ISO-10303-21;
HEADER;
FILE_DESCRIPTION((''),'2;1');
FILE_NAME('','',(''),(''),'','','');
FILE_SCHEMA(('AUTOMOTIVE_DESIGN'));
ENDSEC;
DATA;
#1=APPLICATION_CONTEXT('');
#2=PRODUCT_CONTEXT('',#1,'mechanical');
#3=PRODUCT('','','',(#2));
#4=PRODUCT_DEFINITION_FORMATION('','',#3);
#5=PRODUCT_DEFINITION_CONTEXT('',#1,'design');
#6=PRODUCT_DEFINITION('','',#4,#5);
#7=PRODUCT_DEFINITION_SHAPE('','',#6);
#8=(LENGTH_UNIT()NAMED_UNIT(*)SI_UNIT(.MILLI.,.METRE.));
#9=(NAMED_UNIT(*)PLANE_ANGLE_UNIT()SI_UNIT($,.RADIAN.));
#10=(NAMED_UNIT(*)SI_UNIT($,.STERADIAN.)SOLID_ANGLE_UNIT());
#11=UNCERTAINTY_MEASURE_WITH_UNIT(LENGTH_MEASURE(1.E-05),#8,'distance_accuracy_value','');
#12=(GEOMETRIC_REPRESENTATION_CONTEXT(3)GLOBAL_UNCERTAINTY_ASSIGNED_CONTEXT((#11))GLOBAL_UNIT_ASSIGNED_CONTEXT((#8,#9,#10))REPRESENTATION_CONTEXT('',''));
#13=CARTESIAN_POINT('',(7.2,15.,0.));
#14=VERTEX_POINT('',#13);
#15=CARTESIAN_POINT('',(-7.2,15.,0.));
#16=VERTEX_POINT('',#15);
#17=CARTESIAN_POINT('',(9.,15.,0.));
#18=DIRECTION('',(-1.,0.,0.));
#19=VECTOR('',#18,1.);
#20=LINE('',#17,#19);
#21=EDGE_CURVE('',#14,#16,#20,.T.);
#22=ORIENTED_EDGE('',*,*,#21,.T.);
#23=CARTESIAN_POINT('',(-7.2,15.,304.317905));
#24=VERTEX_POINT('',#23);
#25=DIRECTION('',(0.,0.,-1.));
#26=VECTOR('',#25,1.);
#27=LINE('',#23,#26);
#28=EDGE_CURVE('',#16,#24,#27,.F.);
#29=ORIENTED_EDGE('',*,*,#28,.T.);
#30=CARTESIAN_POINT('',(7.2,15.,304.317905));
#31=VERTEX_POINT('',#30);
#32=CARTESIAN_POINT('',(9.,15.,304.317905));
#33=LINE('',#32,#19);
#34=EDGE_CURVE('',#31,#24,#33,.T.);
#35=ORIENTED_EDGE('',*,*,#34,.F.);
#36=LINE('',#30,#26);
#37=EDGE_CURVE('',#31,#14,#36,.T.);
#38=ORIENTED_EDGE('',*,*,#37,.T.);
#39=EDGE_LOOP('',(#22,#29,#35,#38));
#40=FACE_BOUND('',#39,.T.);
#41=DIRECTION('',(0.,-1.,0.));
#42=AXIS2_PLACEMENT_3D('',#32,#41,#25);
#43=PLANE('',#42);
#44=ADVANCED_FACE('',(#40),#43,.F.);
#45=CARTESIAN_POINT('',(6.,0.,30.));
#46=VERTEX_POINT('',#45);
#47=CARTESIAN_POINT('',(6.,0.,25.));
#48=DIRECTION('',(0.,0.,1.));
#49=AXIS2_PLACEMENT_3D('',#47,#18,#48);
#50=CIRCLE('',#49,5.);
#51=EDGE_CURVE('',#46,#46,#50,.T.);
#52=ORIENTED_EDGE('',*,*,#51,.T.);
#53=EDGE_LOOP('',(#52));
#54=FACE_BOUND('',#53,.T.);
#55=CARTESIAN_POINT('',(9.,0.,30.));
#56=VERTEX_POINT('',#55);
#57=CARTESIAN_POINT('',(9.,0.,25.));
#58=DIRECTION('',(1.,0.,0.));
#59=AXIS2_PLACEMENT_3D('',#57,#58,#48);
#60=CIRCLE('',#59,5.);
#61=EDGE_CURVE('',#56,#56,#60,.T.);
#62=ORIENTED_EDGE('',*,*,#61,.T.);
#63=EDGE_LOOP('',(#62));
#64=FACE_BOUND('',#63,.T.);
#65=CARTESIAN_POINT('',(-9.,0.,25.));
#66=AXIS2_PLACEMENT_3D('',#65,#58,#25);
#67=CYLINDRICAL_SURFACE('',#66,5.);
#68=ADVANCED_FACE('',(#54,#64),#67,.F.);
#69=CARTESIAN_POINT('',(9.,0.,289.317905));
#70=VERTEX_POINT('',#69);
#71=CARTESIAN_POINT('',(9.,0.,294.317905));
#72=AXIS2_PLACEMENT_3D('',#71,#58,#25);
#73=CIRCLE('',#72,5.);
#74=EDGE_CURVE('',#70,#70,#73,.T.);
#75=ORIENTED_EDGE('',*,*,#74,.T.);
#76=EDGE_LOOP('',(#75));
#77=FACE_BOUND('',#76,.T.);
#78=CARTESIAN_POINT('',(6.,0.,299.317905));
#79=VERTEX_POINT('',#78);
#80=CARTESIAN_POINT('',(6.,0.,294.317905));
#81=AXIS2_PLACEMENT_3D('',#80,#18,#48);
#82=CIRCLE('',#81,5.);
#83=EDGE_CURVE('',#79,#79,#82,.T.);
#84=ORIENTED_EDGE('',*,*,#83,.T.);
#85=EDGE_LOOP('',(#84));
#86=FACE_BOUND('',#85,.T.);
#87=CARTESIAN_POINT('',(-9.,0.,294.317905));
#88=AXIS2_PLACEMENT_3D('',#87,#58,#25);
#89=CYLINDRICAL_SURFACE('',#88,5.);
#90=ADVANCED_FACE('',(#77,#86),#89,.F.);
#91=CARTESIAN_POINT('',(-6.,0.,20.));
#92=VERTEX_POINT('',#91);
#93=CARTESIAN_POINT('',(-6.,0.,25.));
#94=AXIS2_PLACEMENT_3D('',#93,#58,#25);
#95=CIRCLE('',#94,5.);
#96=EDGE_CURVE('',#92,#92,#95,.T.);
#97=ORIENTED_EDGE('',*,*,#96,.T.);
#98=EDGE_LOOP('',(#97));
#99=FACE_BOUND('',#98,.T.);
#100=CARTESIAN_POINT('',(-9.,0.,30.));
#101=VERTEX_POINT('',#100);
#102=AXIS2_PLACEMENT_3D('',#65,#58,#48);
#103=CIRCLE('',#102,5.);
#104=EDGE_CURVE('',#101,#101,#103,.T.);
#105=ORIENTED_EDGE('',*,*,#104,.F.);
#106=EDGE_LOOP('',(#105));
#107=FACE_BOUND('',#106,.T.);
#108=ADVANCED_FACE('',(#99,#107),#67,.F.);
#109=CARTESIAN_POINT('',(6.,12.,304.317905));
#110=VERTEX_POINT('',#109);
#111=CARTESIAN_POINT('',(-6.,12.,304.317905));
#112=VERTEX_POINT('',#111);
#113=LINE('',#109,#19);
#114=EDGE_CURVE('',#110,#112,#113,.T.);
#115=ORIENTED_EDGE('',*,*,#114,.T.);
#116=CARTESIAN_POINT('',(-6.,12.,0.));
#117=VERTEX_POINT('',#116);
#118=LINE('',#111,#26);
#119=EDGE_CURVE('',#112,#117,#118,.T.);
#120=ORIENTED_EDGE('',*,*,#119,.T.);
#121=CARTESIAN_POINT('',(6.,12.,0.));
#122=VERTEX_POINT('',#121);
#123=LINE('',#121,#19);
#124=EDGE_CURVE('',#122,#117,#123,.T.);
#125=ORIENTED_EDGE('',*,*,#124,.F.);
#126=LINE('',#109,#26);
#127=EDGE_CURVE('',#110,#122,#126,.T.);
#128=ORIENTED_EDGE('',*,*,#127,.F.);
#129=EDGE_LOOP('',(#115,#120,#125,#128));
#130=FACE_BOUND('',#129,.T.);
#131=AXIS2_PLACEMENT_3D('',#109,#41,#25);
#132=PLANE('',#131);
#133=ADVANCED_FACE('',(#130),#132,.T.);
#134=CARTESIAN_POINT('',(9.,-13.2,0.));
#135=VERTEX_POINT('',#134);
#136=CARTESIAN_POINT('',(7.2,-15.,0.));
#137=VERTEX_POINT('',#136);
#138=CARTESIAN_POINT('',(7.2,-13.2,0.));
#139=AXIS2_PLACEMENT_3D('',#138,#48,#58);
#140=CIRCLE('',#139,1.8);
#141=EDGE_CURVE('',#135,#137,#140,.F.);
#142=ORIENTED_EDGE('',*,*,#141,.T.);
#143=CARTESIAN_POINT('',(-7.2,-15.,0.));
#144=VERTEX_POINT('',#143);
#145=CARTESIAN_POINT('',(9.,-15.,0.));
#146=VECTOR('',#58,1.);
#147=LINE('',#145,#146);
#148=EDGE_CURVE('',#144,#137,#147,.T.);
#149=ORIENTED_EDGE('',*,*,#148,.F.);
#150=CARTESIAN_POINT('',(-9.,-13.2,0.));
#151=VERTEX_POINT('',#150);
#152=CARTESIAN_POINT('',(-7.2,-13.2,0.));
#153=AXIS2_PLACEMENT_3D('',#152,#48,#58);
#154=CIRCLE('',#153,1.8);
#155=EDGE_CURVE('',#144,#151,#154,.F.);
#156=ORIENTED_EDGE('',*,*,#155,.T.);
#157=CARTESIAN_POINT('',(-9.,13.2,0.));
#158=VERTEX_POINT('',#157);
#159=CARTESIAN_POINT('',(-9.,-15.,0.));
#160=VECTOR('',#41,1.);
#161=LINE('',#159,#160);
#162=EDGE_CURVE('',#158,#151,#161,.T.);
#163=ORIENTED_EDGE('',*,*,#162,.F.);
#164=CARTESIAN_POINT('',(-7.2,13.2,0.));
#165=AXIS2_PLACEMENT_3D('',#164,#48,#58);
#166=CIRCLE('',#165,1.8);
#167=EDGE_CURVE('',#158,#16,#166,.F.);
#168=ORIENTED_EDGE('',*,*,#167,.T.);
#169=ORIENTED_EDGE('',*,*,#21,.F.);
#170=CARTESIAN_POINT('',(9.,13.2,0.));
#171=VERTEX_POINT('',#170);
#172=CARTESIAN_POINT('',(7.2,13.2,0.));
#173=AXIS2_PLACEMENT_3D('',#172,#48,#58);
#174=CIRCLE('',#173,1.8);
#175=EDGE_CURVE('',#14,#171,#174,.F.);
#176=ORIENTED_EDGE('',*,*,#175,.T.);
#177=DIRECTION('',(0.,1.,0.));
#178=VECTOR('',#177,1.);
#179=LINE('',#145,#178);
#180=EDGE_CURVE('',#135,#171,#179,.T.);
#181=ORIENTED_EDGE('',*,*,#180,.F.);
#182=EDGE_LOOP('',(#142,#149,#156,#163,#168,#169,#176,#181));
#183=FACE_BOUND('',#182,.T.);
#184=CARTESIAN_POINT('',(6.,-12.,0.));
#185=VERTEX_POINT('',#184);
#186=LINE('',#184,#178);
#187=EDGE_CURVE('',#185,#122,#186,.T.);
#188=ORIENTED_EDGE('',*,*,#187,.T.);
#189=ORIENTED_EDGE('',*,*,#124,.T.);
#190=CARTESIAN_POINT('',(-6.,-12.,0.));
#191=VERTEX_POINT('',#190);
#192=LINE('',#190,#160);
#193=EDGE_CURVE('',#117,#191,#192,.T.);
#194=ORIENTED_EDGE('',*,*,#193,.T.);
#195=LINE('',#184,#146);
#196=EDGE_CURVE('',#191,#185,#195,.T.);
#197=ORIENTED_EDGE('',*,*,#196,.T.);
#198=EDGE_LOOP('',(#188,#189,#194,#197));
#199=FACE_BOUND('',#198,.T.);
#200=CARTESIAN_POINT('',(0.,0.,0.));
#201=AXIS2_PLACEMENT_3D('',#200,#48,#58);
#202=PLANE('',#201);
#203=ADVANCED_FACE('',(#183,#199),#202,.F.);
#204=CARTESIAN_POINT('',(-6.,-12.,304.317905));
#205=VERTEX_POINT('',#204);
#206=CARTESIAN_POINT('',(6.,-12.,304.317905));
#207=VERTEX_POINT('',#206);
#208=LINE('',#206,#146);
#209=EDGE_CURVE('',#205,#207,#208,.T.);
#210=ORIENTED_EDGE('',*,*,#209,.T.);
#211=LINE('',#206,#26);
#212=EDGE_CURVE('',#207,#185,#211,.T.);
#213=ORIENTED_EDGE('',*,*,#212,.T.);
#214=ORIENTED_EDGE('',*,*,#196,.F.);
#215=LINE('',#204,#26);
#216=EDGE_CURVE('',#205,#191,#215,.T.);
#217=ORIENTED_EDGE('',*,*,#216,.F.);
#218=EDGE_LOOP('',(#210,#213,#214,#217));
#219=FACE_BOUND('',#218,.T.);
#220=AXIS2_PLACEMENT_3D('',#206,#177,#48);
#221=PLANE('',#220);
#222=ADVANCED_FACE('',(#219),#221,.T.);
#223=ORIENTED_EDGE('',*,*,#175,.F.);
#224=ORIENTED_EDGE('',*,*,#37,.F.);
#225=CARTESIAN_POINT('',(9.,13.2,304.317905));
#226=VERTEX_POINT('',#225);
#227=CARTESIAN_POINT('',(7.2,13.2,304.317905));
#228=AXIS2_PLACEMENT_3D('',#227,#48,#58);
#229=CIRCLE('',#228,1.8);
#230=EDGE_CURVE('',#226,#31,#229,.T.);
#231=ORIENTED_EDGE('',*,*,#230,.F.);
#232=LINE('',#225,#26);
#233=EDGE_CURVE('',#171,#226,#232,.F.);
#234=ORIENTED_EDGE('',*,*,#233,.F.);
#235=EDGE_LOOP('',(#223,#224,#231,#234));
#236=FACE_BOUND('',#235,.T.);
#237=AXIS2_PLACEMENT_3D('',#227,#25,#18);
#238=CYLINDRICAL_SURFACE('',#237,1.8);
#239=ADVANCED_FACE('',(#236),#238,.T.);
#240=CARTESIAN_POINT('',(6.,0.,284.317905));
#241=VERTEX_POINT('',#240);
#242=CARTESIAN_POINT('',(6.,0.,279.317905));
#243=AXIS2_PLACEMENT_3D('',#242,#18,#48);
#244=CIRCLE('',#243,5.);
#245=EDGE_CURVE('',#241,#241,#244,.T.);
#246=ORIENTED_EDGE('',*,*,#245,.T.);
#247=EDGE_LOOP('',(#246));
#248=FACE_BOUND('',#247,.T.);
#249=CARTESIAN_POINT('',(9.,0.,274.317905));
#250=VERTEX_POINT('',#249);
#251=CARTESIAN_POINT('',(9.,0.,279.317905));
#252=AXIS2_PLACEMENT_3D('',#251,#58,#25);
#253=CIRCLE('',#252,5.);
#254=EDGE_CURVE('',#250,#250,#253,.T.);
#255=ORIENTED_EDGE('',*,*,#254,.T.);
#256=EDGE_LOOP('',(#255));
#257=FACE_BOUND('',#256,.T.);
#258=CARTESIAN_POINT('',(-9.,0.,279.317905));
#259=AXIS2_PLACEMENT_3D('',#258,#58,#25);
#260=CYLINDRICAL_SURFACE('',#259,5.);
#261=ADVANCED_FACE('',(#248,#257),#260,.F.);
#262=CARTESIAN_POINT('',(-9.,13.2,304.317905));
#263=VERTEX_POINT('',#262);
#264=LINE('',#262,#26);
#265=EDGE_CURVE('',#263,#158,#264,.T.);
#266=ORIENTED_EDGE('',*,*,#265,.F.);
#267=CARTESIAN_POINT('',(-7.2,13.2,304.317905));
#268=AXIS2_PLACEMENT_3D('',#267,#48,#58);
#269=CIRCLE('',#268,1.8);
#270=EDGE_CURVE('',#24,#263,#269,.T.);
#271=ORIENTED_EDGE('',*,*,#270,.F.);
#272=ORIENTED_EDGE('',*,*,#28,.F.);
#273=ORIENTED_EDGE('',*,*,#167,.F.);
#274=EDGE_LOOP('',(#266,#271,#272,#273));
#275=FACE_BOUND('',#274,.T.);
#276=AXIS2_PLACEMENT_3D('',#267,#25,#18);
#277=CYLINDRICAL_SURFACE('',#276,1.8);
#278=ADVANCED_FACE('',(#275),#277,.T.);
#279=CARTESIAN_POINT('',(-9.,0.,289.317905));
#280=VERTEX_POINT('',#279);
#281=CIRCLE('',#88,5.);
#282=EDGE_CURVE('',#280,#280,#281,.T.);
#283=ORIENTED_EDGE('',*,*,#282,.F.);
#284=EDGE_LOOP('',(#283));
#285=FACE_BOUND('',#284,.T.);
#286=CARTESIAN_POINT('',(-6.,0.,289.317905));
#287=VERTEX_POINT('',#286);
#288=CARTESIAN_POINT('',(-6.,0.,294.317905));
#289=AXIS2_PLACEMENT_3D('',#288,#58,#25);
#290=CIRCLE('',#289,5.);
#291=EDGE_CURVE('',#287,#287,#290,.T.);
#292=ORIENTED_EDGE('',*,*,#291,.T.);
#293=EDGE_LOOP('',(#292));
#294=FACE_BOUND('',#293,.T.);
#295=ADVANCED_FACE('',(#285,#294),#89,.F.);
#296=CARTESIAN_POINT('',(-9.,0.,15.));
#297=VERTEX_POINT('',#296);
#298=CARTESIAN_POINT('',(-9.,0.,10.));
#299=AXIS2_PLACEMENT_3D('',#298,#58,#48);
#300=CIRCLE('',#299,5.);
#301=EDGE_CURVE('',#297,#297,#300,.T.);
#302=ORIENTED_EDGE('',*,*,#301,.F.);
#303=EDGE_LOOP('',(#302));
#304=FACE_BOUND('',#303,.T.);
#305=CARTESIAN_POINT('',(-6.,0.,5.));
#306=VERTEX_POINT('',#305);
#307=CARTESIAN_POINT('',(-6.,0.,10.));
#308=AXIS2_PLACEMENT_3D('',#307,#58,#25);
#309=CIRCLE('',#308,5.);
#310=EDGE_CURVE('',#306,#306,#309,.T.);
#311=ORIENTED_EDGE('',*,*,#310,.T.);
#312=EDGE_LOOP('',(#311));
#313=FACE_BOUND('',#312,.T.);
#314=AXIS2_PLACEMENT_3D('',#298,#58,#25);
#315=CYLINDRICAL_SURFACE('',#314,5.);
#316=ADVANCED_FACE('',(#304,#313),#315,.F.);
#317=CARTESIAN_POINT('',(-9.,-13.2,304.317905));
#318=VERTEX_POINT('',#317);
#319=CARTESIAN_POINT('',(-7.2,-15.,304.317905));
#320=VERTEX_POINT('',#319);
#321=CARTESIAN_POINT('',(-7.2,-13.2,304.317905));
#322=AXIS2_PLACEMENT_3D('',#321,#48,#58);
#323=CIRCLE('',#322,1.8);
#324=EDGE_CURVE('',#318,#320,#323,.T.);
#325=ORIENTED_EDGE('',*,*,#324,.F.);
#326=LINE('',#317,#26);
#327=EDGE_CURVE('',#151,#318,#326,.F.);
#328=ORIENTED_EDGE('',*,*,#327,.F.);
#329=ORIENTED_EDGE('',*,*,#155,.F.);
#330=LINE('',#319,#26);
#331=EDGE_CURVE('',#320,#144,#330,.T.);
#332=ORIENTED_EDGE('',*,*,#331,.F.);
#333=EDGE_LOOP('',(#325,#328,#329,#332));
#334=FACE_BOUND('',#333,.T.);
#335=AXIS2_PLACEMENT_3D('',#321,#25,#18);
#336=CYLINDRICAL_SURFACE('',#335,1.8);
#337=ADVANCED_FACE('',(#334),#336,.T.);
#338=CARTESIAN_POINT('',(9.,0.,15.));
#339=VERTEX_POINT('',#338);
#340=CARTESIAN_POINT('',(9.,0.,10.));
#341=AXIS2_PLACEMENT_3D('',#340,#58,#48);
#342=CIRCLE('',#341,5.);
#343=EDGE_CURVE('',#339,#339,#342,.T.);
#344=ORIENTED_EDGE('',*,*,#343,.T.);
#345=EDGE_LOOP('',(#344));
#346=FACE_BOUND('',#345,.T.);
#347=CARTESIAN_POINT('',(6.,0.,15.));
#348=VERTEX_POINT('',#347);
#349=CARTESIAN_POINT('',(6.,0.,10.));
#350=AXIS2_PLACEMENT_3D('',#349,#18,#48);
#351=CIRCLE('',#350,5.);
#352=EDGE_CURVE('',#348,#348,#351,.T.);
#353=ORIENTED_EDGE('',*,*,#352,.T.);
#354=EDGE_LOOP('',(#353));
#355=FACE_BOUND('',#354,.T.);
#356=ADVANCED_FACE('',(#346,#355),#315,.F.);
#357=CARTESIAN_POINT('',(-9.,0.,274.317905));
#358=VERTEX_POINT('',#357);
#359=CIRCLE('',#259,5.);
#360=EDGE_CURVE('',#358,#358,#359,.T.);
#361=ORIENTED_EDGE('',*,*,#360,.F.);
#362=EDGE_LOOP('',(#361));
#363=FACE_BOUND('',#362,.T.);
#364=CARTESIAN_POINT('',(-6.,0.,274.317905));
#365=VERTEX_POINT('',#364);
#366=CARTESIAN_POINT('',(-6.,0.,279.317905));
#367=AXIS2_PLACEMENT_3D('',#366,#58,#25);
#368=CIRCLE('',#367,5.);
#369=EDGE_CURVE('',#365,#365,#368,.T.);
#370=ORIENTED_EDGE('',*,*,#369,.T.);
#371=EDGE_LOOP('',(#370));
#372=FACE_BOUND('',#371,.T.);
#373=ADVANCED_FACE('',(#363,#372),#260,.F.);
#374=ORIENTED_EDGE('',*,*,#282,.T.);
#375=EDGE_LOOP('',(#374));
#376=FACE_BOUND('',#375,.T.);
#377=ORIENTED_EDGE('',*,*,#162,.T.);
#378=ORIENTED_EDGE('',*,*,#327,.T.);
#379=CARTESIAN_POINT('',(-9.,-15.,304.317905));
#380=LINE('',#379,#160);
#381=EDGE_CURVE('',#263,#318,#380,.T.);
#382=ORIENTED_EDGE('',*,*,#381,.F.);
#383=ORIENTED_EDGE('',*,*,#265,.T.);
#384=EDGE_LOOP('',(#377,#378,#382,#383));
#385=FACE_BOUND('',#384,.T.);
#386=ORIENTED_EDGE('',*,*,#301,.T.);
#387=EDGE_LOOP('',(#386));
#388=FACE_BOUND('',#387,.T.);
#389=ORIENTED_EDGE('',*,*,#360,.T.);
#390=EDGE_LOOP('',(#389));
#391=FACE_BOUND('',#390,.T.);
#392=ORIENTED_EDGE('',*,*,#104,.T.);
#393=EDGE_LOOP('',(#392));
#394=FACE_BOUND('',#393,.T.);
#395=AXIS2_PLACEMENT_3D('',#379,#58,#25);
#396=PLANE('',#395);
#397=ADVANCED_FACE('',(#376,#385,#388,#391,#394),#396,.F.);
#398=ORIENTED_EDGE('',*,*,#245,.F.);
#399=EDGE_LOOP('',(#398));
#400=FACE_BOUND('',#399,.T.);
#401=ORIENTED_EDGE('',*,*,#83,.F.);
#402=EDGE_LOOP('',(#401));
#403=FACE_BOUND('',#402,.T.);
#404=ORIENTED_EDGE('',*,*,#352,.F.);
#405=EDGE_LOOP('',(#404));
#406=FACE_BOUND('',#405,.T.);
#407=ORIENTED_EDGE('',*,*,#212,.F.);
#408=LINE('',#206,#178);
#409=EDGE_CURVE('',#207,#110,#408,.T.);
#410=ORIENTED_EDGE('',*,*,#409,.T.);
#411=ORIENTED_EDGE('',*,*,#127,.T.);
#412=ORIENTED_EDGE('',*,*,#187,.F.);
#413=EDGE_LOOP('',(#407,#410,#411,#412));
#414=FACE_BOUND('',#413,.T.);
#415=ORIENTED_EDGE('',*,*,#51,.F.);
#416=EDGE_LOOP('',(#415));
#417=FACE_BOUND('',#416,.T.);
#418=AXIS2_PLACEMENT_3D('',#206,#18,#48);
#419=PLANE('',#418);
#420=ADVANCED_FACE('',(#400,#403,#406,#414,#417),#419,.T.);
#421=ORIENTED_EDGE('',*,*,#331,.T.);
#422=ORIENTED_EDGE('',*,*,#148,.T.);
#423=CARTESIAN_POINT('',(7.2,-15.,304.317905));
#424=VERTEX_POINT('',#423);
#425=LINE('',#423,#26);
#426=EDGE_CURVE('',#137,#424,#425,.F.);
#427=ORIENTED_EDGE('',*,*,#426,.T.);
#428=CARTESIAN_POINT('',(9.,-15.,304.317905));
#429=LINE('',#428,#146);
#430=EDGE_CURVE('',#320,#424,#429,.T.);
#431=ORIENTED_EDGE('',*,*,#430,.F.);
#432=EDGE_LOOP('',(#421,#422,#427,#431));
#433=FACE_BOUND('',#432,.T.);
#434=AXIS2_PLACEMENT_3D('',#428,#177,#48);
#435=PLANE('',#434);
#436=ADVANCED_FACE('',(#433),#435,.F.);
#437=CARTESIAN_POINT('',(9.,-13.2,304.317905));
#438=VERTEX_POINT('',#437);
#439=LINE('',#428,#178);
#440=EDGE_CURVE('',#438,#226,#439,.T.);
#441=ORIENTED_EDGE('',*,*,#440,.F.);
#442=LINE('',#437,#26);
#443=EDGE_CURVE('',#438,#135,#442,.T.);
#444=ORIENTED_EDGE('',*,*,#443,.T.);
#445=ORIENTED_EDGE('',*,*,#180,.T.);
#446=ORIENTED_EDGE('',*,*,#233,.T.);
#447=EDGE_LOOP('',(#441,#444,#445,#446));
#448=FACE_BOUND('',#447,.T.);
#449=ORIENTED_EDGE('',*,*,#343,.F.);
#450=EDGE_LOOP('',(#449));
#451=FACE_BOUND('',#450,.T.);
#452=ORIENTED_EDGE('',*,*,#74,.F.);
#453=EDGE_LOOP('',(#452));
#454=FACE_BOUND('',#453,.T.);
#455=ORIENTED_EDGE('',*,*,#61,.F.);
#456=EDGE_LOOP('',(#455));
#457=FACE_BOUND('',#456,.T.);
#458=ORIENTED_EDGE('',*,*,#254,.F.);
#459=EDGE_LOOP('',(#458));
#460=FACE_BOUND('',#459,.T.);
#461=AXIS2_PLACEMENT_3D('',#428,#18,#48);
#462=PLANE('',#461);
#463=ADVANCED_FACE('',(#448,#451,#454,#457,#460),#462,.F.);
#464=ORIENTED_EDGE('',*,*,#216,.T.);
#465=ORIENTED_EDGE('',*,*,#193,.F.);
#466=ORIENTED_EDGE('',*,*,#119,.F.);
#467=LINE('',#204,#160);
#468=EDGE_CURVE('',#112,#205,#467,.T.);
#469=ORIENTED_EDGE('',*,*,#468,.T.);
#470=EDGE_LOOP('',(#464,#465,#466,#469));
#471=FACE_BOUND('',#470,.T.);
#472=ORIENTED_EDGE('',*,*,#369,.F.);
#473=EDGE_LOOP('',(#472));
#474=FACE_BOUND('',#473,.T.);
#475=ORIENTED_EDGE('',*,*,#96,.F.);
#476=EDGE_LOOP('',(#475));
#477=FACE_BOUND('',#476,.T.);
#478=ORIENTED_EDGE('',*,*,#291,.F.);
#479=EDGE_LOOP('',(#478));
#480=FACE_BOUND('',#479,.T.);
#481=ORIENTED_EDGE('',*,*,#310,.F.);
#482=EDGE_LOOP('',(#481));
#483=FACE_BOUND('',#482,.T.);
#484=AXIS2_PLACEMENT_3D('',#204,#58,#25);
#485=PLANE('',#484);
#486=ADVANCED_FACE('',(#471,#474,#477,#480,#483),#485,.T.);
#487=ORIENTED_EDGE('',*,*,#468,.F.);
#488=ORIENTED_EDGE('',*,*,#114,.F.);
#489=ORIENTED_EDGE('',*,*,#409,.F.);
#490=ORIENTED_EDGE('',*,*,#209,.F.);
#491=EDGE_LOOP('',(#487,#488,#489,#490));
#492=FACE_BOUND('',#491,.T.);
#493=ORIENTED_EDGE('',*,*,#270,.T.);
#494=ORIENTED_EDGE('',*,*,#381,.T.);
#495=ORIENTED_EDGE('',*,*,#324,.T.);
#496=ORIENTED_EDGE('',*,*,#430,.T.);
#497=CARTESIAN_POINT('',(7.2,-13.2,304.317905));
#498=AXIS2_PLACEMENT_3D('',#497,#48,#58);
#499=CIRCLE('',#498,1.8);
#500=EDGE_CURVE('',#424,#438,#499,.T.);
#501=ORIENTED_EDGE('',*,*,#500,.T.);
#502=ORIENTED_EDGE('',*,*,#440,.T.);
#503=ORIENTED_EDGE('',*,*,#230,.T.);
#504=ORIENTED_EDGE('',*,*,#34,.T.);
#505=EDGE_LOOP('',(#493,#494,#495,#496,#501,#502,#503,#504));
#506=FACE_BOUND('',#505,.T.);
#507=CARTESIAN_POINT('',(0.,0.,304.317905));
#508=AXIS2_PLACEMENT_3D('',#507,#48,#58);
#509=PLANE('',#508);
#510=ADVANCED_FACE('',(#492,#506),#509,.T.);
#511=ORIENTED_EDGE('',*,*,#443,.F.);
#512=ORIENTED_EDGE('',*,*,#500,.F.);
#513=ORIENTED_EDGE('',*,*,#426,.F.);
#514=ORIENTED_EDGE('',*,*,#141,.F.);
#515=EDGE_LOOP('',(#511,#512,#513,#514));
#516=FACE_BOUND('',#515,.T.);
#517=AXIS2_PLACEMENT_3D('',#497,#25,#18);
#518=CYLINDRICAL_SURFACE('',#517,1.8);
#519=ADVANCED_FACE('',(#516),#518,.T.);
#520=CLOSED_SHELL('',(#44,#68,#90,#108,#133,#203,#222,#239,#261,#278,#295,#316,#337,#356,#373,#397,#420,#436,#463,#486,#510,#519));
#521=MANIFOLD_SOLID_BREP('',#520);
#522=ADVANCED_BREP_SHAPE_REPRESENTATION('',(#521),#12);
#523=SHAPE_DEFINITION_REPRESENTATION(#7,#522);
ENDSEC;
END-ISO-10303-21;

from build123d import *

# Parameters (mm, degrees)
SKETCH1_W         = 18
SKETCH1_H         = 30
SKETCH1_W_2       = 12
SKETCH1_H_2       = 24
BODY_DEPTH        = 304.31790468
SKETCH2_R         = 5
MOUNT_HOLES_DEPTH = 306.218589062
CORNER_FILLETS_R  = 1.8


with BuildPart() as part:
    # Sketch1 → Body (new body)
    with BuildSketch(Plane.XY):
        Rectangle(SKETCH1_W, SKETCH1_H)
        Rectangle(SKETCH1_W_2, SKETCH1_H_2, mode=Mode.SUBTRACT)
    extrude(amount=BODY_DEPTH)

    # Sketch2 → Mount Holes (cut, through all)
    with BuildSketch(Plane(origin=(9, 0, 0), x_dir=(0, 0, -1), z_dir=(1, 0, 0))):
        with Locations((-294.31790468, 0)):
            Circle(SKETCH2_R)
        with Locations((-279.31790468, 0)):
            Circle(SKETCH2_R)
        with Locations(Location((-25, 0, 0), (0, 0, 180))):
            Circle(SKETCH2_R)
        with Locations(Location((-10, 0, 0), (0, 0, 180))):
            Circle(SKETCH2_R)
    extrude(amount=-MOUNT_HOLES_DEPTH, mode=Mode.SUBTRACT)

    # Corner Fillets
    corner_fillets_edges = [part.edges().sort_by_distance(p)[0] for p in [
        (-9, 15, 152.15895234),
        (9, 15, 152.15895234),
        (9, -15, 152.15895234),
        (-9, -15, 152.15895234),
    ]]
    fillet(corner_fillets_edges, radius=CORNER_FILLETS_R)


solid = part.part
